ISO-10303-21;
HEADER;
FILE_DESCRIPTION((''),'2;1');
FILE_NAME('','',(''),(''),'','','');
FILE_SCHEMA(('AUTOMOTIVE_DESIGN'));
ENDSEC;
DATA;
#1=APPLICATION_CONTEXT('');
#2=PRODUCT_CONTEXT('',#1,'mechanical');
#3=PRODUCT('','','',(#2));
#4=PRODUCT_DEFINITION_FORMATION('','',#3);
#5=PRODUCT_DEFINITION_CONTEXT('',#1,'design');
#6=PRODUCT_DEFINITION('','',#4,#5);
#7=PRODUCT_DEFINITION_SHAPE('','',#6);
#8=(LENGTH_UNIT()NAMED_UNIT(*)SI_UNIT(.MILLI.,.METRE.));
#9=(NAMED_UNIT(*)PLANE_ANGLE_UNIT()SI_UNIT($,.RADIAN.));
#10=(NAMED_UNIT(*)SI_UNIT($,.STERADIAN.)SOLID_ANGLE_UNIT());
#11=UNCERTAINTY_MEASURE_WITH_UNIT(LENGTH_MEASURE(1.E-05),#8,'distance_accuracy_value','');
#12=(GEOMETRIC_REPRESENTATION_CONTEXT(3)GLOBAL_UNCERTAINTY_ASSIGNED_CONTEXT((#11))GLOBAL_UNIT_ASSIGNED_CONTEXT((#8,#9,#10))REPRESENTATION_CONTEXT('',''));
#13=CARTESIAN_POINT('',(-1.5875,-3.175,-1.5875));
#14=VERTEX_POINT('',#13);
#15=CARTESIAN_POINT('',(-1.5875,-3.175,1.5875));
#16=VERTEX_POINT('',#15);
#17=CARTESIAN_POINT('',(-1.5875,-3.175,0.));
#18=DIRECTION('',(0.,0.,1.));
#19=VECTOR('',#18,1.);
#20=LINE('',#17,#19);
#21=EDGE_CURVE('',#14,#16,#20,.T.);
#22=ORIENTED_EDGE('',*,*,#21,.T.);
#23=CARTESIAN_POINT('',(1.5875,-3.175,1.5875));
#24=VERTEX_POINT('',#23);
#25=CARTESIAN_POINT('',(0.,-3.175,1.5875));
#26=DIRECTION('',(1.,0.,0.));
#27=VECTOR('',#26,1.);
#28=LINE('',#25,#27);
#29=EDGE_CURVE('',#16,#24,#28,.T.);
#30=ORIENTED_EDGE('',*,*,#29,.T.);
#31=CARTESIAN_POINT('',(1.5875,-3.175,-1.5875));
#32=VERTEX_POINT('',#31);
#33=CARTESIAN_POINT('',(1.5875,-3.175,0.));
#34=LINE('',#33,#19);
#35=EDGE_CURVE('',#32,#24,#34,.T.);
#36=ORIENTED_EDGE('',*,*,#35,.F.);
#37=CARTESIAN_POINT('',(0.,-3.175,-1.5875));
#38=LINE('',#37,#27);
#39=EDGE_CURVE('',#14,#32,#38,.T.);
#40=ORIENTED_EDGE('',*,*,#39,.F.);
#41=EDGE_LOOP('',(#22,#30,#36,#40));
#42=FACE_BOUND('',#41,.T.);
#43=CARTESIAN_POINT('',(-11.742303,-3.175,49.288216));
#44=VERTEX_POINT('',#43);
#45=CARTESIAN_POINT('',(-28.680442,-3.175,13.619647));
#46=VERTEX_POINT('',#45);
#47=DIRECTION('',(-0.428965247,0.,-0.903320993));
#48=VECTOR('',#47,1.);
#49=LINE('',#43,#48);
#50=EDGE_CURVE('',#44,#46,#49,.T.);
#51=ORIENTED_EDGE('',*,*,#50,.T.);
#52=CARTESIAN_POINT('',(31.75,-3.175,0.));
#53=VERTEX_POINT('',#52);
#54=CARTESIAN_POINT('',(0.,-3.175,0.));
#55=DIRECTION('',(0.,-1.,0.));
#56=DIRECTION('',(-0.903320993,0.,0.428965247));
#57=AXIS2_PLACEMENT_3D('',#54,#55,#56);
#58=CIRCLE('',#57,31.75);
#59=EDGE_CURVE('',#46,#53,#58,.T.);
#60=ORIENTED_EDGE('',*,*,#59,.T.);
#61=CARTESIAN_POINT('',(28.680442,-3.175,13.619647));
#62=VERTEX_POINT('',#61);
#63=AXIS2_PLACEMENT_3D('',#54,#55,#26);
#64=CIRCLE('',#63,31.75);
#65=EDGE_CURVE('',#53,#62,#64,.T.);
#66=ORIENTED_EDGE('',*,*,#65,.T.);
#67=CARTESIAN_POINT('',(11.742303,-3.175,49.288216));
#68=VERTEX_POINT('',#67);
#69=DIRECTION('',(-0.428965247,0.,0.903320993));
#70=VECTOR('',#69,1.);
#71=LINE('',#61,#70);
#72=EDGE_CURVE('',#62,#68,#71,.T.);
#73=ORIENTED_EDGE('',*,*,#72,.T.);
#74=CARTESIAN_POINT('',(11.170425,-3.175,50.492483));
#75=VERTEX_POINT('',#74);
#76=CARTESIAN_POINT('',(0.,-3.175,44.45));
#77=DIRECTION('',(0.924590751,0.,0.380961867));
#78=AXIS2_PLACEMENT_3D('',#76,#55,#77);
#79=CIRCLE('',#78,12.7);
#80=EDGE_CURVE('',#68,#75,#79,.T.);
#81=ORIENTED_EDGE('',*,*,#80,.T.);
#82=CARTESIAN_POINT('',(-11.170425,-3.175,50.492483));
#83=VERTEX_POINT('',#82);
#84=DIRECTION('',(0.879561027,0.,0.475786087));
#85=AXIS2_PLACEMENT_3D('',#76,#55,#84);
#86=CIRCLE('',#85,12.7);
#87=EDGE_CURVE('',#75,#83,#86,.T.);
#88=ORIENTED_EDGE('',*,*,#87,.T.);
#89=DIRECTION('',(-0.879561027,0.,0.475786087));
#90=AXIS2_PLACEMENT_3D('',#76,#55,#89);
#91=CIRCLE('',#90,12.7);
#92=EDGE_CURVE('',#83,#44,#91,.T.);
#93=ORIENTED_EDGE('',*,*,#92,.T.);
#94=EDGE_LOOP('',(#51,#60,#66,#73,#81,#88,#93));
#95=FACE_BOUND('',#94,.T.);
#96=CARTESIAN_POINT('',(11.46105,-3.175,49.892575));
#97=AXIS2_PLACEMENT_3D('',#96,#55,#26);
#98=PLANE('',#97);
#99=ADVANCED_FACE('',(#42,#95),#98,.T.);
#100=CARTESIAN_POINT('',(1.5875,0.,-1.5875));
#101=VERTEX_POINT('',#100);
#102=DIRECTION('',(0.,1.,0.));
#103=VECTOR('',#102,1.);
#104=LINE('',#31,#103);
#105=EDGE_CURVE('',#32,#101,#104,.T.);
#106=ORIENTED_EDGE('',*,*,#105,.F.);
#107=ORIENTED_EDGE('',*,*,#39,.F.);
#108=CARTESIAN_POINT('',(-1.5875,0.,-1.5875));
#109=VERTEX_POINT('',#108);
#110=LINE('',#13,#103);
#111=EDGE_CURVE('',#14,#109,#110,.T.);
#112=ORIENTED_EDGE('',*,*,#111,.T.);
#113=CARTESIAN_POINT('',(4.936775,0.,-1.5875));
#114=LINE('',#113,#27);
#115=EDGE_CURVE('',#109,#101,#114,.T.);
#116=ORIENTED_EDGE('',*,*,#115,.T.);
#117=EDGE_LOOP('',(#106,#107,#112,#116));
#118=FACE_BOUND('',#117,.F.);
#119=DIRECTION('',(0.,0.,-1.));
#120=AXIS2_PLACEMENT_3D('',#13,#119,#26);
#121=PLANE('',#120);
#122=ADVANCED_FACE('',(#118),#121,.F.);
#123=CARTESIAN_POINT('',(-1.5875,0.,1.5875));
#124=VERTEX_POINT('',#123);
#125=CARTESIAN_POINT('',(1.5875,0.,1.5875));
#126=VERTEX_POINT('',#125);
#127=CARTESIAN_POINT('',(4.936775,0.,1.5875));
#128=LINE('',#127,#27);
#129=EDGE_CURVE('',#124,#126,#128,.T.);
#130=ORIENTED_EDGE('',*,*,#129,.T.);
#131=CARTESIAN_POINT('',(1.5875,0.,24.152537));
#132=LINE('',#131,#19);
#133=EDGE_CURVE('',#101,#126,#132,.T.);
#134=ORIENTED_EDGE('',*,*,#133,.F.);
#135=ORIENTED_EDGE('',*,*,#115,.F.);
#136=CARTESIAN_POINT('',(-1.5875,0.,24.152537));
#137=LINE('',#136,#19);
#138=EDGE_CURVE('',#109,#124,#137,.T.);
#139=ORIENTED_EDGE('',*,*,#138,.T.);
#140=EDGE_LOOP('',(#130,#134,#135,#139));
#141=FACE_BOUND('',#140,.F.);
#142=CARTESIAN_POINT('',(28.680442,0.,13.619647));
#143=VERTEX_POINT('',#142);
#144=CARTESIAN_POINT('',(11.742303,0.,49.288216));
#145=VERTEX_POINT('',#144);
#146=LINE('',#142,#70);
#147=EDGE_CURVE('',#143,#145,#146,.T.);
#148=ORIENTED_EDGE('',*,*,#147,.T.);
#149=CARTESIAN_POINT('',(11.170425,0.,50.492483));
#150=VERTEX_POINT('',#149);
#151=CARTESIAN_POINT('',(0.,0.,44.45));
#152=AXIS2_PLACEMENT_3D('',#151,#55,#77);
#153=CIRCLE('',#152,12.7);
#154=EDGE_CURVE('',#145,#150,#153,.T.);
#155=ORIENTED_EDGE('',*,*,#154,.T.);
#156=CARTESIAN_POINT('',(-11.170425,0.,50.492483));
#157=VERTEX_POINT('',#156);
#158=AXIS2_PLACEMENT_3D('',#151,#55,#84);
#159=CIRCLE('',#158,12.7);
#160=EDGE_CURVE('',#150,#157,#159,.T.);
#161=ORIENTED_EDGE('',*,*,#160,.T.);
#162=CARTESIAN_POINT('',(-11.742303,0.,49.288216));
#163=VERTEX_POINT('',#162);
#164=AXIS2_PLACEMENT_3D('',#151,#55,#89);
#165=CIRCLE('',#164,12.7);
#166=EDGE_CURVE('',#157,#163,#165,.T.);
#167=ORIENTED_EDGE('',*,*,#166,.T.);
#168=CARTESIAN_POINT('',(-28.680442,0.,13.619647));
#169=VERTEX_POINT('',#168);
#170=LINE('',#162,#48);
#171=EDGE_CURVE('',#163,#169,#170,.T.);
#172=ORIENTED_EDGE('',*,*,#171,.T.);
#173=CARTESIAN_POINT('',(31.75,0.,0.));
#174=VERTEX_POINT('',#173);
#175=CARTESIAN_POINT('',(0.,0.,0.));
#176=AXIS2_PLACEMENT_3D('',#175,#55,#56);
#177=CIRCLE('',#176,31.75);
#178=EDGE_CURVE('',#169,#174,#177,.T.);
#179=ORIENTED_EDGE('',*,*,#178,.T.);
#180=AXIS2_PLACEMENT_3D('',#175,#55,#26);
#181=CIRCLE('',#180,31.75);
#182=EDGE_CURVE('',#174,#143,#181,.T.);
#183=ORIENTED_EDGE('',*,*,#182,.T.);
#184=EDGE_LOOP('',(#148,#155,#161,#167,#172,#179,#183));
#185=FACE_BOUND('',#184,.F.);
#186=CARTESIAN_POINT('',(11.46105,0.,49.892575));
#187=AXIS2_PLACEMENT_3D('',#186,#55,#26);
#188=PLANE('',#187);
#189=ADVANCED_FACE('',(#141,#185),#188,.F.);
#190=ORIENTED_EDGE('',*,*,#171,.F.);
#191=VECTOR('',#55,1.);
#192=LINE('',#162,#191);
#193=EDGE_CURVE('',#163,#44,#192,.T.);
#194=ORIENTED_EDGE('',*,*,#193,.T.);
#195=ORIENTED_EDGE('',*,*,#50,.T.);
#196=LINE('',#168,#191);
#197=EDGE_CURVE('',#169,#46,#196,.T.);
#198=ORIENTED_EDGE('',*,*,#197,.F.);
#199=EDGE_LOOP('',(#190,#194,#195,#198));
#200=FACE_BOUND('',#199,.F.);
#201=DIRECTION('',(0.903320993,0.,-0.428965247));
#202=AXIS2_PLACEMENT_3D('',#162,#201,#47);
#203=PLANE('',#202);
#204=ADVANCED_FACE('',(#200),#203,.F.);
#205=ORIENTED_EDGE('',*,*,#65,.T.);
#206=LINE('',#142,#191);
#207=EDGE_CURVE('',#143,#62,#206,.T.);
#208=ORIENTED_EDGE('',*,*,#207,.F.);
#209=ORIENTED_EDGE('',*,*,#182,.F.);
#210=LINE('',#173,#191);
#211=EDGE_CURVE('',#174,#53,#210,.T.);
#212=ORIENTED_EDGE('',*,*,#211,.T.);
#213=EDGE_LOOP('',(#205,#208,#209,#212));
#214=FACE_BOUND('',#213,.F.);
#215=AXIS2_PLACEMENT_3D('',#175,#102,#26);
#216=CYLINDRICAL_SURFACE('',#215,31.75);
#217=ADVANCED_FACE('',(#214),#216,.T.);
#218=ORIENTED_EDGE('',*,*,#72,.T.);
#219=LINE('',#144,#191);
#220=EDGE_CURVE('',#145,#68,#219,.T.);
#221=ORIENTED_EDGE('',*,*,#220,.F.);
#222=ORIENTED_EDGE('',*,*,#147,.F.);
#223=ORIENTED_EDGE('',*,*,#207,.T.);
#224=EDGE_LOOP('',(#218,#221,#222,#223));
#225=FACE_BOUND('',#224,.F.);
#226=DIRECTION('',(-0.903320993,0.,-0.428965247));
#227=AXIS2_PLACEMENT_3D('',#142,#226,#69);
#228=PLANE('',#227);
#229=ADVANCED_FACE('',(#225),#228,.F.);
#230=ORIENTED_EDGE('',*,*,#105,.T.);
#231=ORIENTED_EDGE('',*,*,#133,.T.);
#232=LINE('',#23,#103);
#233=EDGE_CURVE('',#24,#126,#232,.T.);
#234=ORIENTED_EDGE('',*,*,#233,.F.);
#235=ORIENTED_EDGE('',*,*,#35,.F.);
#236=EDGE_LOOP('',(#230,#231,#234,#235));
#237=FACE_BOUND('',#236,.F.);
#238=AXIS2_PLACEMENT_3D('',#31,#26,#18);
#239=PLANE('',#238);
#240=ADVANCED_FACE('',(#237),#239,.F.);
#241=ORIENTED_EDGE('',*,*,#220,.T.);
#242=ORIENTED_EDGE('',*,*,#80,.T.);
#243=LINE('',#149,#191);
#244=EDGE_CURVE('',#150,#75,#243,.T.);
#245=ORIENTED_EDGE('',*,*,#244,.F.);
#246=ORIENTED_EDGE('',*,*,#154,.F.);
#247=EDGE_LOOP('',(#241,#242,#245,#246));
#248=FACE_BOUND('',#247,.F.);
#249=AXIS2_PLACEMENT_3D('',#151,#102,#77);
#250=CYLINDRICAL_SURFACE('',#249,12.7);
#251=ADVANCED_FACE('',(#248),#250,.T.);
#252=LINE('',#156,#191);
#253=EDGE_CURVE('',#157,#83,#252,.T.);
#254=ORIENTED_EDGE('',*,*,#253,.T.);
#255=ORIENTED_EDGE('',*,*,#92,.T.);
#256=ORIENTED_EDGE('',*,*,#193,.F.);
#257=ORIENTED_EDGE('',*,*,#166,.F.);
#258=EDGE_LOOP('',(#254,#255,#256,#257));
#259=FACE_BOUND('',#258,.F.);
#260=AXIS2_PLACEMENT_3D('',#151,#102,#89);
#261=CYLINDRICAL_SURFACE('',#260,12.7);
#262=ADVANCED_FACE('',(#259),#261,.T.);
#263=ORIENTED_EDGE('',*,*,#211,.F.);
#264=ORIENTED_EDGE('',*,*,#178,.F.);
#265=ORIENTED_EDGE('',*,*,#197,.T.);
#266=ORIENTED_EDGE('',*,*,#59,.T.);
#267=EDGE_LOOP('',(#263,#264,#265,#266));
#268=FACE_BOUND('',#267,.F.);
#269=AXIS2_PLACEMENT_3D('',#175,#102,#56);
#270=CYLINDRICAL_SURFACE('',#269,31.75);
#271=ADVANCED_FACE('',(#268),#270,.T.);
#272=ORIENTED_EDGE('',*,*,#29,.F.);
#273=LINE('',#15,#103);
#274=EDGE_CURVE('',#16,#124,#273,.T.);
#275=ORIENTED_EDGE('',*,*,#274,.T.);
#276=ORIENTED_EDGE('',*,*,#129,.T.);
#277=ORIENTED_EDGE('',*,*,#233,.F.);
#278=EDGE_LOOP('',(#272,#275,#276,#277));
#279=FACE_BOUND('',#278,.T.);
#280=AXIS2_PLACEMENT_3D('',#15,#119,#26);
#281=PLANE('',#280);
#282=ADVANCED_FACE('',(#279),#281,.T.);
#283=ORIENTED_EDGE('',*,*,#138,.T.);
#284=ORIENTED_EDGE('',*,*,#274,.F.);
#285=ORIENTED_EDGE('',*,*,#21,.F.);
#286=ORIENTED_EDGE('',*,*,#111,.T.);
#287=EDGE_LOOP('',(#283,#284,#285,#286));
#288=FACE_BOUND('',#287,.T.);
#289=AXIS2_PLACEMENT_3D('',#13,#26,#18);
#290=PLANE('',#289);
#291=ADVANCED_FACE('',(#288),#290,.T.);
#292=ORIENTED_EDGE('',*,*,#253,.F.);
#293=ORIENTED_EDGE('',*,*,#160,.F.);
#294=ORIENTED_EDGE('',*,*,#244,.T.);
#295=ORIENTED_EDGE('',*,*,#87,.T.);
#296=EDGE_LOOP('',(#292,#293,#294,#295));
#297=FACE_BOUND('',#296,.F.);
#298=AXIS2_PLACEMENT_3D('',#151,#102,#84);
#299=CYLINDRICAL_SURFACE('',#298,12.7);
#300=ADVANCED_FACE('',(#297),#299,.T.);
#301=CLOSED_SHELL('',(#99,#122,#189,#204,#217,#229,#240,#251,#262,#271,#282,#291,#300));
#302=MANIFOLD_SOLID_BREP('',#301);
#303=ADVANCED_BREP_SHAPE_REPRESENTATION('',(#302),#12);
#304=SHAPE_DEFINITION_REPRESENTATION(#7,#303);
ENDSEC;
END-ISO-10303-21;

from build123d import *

# Parameters (mm, degrees)
F1_DEPTH = 3.175
F2_W     = 3.175
F2_H     = 3.175
F3_DEPTH = 3.176


with BuildPart() as f1:
    # F0 (on Front) → F1 (new body)
    with BuildSketch(Plane.XZ):
        with BuildLine():
            Line((11.1704250392, 50.4924833011), (11.7423025331, 49.2882157063))
            ThreePointArc((11.7423025331, 49.2882157063), (11.4721766161, 49.8978586334), (11.1704250392, 50.4924833011))
        make_face()
        with BuildLine():
            Line((-11.1704250392, 50.4924833011), (11.1704250392, 50.4924833011))
            ThreePointArc((11.1704250392, 50.4924833011), (0, 57.15), (-11.1704250392, 50.4924833011))
        make_face()
        with BuildLine():
            ThreePointArc((-11.1704250392, 50.4924833011), (-11.4721766161, 49.8978586334), (-11.7423025331, 49.2882157063))
            Line((-11.7423025331, 49.2882157063), (-11.1704250392, 50.4924833011))
        make_face()
        with BuildLine():
            ThreePointArc((0, 31.75), (16.965239771, 26.8373459849), (28.6804415402, 13.6196465835))
            Line((28.6804415402, 13.6196465835), (11.7423025331, 49.2882157063))
            ThreePointArc((11.7423025331, 49.2882157063), (12.4582752051, 46.9160451972), (12.7, 44.45))
            ThreePointArc((12.7, 44.45), (8.9802561211, 35.4697438789), (0, 31.75))
        make_face()
        with BuildLine():
            Line((-11.7423025331, 49.2882157063), (-28.6804415402, 13.6196465835))
            ThreePointArc((-28.6804415402, 13.6196465835), (-16.965239771, 26.8373459849), (0, 31.75))
            ThreePointArc((0, 31.75), (-10.5530881611, 37.3844264023), (-11.7423025331, 49.2882157063))
        make_face()
        with BuildLine():
            ThreePointArc((-11.7423025331, 49.2882157063), (-10.5530881611, 37.3844264023), (0, 31.75))
            ThreePointArc((0, 31.75), (8.9802561211, 35.4697438789), (12.7, 44.45))
            ThreePointArc((12.7, 44.45), (12.4582752051, 46.9160451972), (11.7423025331, 49.2882157063))
            Line((11.7423025331, 49.2882157063), (11.1704250392, 50.4924833011))
            Line((11.1704250392, 50.4924833011), (-11.1704250392, 50.4924833011))
            Line((-11.1704250392, 50.4924833011), (-11.7423025331, 49.2882157063))
        make_face()
        with BuildLine():
            ThreePointArc((-28.6804415402, 13.6196465835), (-6.9806332485, -30.9731054215), (31.75, 0))
            ThreePointArc((31.75, 0), (30.9731054215, 6.9806332485), (28.6804415402, 13.6196465835))
            ThreePointArc((28.6804415402, 13.6196465835), (16.965239771, 26.8373459849), (0, 31.75))
            ThreePointArc((0, 31.75), (-16.965239771, 26.8373459849), (-28.6804415402, 13.6196465835))
        make_face()
    extrude(amount=F1_DEPTH)

    # F2 (on face) → F3 (cut, through all)
    with BuildSketch(Plane.XZ.offset(3.175)):
        Rectangle(F2_W, F2_H)
    extrude(amount=-F3_DEPTH, mode=Mode.SUBTRACT)


solid = f1.part
